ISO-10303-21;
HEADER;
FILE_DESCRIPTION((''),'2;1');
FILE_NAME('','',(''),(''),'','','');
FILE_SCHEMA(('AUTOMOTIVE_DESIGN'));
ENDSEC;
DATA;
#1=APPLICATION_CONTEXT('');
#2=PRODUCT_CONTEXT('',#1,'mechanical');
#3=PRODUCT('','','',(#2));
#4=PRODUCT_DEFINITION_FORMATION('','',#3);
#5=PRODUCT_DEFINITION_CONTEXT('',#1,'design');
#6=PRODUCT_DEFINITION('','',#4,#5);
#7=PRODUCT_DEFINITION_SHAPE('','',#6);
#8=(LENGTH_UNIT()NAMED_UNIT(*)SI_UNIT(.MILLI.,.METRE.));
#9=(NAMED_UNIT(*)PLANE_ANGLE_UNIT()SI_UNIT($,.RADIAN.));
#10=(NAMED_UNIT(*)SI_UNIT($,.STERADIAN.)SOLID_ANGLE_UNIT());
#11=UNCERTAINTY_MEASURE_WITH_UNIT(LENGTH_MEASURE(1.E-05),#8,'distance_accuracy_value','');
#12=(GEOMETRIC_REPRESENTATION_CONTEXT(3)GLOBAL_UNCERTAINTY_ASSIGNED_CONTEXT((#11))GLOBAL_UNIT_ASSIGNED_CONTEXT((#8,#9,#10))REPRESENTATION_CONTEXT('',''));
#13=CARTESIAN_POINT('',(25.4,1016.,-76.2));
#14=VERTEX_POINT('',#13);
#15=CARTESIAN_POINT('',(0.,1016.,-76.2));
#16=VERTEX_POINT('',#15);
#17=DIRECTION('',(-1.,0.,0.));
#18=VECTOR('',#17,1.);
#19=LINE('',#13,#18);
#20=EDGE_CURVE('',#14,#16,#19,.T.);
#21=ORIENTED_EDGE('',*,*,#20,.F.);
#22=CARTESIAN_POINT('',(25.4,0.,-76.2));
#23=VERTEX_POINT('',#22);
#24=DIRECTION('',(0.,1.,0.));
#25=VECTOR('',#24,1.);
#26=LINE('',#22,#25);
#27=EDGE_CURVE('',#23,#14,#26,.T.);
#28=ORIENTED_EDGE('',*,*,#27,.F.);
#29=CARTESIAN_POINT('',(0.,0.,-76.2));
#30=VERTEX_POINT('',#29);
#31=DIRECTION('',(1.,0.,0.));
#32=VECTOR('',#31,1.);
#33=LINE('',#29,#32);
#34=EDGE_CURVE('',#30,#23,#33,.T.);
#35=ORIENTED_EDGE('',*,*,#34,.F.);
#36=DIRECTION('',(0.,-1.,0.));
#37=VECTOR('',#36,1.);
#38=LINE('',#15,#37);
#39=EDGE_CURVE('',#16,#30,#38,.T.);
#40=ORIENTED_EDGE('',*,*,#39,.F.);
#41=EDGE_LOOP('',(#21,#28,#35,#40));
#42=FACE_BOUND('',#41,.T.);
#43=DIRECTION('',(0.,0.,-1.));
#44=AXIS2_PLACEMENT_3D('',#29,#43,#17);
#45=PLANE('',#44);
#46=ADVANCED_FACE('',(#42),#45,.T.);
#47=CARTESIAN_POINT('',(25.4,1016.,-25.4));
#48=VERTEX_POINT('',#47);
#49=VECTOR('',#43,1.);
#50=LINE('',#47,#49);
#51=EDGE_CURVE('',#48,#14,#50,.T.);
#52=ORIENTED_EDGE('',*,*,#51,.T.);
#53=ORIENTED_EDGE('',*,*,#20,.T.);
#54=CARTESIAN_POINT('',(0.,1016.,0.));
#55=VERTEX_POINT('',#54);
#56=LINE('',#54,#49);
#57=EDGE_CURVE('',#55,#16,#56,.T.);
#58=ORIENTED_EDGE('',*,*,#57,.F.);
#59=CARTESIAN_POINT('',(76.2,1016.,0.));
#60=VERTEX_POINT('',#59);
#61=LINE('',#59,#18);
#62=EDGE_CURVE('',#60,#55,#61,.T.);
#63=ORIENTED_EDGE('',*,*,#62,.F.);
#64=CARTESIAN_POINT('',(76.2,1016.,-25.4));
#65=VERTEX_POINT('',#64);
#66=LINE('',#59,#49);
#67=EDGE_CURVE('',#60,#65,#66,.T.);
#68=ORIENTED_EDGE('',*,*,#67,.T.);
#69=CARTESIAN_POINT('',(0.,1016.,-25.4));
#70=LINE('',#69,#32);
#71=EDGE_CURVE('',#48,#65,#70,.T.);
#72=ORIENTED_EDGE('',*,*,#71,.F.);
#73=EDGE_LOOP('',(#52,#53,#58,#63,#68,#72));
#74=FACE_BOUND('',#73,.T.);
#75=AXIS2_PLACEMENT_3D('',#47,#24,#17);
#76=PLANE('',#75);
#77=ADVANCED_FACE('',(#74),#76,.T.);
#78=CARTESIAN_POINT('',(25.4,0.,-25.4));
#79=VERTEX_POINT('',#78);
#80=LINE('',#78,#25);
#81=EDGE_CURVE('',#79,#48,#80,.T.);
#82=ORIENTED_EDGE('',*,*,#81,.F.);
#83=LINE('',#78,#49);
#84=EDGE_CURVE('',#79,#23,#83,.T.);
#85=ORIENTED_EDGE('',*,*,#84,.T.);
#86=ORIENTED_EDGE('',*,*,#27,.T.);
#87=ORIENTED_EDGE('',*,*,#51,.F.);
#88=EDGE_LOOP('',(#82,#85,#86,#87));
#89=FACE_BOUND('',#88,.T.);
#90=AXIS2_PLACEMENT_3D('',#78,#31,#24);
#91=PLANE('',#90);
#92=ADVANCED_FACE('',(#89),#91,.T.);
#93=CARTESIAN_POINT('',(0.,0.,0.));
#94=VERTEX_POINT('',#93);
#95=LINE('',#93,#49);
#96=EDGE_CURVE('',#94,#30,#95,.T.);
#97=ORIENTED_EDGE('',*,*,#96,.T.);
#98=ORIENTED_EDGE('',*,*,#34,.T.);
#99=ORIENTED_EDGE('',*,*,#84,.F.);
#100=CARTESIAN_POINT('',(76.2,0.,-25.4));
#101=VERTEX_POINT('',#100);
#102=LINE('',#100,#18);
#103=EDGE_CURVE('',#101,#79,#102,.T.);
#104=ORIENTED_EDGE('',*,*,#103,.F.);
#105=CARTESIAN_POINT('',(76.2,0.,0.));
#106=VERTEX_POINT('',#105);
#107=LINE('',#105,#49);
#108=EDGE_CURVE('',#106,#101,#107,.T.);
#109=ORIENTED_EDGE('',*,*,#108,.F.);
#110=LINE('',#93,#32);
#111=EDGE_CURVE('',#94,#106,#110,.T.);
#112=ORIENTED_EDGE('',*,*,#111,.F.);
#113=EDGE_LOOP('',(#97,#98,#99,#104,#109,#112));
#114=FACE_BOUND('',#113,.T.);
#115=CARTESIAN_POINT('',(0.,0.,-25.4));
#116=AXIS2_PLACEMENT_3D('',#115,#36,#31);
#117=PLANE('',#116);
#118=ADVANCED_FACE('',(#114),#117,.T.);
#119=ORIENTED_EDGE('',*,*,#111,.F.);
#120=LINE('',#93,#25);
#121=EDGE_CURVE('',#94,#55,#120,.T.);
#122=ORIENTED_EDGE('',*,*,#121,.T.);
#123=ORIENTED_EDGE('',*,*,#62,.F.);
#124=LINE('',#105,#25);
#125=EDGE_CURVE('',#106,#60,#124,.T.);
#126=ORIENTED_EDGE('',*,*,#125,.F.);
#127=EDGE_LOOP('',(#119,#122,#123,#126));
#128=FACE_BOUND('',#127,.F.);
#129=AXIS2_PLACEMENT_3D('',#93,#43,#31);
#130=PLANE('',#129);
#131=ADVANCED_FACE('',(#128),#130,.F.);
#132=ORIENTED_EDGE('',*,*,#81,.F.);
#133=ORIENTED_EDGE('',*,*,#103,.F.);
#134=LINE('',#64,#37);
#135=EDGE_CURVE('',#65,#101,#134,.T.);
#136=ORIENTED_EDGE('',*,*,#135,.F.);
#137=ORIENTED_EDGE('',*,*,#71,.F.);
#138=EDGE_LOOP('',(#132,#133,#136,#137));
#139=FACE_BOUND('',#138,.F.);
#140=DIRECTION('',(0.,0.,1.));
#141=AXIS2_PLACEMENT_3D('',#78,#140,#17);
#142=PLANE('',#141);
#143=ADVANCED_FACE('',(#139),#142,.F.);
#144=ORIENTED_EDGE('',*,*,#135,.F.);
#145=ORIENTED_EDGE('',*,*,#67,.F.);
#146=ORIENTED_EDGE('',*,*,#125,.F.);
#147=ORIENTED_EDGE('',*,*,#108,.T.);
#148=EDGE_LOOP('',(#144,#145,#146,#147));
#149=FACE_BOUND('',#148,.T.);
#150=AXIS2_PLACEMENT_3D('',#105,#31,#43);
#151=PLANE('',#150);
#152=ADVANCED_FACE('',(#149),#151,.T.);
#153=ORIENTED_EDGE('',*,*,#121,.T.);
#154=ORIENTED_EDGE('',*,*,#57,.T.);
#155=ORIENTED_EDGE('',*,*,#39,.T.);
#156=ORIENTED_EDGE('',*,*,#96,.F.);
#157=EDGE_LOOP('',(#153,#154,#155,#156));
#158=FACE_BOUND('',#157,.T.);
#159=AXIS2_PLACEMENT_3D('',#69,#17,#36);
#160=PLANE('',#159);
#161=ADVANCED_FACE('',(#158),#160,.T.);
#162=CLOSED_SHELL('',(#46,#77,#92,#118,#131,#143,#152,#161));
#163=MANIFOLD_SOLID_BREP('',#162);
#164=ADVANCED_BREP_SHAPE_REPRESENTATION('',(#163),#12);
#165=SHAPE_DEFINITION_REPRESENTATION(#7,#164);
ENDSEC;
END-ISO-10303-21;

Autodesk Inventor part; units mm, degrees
ref_plane "YZ Plane" through (0, 0, 0) normal (1, 0, 0) x (0, 1, 0)
ref_plane "XZ Plane" through (0, 0, 0) normal (0, 1, 0) x (-1, 0, 0)
ref_plane "XY Plane" through (0, 0, 0) normal (0, 0, 1) x (1, 0, 0)
sketch "Sketch1" plane through (0, 0, 0) normal (0, 1, 0) x (-1, 0, 0)
  line L0 (0, 0) -> (-25.4, 0)
  line L1 (-25.4, 0) -> (-25.4, -25.4)
  line L2 (-25.4, -25.4) -> (0, -25.4)
  line L3 (0, -25.4) -> (0, 0)
  dimension "d0" = 25.4
  dimension "d1" = 25.4
extrude "Extrusion1" add sketch "Sketch1" along normal blind 1016
sketch "Sketch2" plane through (25.4, 0, 0) normal (1, 0, 0) x (0, 0, -1)
  line L0 (0, 0) -> (25.4, 0) projected
  line L1 (0, 1016) -> (25.4, 1016)
  line L2 (25.4, 1016) -> (25.4, 0)
  line L3 (25.4, 0) -> (0, 0)
  line L4 (0, 0) -> (0, 1016)
extrude "Extrusion2" add sketch "Sketch2" along normal blind 50.8
sketch "Sketch4" plane through (0, 0, -25.4) normal (0, 0, -1) x (-1, 0, 0)
  line L0 (0, 0) -> (-76.2, 0) projected
  line L1 (0, 0) -> (-25.4, 0)
  line L2 (-25.4, 0) -> (-25.4, 1016)
  line L3 (-25.4, 1016) -> (0, 1016)
  line L4 (0, 1016) -> (0, 0)
  dimension "d8" = 25.4
  dimension "d9" = 1016
extrude "Extrusion4" add sketch "Sketch4" along normal blind 50.8
properties part number "rev1 corners"
